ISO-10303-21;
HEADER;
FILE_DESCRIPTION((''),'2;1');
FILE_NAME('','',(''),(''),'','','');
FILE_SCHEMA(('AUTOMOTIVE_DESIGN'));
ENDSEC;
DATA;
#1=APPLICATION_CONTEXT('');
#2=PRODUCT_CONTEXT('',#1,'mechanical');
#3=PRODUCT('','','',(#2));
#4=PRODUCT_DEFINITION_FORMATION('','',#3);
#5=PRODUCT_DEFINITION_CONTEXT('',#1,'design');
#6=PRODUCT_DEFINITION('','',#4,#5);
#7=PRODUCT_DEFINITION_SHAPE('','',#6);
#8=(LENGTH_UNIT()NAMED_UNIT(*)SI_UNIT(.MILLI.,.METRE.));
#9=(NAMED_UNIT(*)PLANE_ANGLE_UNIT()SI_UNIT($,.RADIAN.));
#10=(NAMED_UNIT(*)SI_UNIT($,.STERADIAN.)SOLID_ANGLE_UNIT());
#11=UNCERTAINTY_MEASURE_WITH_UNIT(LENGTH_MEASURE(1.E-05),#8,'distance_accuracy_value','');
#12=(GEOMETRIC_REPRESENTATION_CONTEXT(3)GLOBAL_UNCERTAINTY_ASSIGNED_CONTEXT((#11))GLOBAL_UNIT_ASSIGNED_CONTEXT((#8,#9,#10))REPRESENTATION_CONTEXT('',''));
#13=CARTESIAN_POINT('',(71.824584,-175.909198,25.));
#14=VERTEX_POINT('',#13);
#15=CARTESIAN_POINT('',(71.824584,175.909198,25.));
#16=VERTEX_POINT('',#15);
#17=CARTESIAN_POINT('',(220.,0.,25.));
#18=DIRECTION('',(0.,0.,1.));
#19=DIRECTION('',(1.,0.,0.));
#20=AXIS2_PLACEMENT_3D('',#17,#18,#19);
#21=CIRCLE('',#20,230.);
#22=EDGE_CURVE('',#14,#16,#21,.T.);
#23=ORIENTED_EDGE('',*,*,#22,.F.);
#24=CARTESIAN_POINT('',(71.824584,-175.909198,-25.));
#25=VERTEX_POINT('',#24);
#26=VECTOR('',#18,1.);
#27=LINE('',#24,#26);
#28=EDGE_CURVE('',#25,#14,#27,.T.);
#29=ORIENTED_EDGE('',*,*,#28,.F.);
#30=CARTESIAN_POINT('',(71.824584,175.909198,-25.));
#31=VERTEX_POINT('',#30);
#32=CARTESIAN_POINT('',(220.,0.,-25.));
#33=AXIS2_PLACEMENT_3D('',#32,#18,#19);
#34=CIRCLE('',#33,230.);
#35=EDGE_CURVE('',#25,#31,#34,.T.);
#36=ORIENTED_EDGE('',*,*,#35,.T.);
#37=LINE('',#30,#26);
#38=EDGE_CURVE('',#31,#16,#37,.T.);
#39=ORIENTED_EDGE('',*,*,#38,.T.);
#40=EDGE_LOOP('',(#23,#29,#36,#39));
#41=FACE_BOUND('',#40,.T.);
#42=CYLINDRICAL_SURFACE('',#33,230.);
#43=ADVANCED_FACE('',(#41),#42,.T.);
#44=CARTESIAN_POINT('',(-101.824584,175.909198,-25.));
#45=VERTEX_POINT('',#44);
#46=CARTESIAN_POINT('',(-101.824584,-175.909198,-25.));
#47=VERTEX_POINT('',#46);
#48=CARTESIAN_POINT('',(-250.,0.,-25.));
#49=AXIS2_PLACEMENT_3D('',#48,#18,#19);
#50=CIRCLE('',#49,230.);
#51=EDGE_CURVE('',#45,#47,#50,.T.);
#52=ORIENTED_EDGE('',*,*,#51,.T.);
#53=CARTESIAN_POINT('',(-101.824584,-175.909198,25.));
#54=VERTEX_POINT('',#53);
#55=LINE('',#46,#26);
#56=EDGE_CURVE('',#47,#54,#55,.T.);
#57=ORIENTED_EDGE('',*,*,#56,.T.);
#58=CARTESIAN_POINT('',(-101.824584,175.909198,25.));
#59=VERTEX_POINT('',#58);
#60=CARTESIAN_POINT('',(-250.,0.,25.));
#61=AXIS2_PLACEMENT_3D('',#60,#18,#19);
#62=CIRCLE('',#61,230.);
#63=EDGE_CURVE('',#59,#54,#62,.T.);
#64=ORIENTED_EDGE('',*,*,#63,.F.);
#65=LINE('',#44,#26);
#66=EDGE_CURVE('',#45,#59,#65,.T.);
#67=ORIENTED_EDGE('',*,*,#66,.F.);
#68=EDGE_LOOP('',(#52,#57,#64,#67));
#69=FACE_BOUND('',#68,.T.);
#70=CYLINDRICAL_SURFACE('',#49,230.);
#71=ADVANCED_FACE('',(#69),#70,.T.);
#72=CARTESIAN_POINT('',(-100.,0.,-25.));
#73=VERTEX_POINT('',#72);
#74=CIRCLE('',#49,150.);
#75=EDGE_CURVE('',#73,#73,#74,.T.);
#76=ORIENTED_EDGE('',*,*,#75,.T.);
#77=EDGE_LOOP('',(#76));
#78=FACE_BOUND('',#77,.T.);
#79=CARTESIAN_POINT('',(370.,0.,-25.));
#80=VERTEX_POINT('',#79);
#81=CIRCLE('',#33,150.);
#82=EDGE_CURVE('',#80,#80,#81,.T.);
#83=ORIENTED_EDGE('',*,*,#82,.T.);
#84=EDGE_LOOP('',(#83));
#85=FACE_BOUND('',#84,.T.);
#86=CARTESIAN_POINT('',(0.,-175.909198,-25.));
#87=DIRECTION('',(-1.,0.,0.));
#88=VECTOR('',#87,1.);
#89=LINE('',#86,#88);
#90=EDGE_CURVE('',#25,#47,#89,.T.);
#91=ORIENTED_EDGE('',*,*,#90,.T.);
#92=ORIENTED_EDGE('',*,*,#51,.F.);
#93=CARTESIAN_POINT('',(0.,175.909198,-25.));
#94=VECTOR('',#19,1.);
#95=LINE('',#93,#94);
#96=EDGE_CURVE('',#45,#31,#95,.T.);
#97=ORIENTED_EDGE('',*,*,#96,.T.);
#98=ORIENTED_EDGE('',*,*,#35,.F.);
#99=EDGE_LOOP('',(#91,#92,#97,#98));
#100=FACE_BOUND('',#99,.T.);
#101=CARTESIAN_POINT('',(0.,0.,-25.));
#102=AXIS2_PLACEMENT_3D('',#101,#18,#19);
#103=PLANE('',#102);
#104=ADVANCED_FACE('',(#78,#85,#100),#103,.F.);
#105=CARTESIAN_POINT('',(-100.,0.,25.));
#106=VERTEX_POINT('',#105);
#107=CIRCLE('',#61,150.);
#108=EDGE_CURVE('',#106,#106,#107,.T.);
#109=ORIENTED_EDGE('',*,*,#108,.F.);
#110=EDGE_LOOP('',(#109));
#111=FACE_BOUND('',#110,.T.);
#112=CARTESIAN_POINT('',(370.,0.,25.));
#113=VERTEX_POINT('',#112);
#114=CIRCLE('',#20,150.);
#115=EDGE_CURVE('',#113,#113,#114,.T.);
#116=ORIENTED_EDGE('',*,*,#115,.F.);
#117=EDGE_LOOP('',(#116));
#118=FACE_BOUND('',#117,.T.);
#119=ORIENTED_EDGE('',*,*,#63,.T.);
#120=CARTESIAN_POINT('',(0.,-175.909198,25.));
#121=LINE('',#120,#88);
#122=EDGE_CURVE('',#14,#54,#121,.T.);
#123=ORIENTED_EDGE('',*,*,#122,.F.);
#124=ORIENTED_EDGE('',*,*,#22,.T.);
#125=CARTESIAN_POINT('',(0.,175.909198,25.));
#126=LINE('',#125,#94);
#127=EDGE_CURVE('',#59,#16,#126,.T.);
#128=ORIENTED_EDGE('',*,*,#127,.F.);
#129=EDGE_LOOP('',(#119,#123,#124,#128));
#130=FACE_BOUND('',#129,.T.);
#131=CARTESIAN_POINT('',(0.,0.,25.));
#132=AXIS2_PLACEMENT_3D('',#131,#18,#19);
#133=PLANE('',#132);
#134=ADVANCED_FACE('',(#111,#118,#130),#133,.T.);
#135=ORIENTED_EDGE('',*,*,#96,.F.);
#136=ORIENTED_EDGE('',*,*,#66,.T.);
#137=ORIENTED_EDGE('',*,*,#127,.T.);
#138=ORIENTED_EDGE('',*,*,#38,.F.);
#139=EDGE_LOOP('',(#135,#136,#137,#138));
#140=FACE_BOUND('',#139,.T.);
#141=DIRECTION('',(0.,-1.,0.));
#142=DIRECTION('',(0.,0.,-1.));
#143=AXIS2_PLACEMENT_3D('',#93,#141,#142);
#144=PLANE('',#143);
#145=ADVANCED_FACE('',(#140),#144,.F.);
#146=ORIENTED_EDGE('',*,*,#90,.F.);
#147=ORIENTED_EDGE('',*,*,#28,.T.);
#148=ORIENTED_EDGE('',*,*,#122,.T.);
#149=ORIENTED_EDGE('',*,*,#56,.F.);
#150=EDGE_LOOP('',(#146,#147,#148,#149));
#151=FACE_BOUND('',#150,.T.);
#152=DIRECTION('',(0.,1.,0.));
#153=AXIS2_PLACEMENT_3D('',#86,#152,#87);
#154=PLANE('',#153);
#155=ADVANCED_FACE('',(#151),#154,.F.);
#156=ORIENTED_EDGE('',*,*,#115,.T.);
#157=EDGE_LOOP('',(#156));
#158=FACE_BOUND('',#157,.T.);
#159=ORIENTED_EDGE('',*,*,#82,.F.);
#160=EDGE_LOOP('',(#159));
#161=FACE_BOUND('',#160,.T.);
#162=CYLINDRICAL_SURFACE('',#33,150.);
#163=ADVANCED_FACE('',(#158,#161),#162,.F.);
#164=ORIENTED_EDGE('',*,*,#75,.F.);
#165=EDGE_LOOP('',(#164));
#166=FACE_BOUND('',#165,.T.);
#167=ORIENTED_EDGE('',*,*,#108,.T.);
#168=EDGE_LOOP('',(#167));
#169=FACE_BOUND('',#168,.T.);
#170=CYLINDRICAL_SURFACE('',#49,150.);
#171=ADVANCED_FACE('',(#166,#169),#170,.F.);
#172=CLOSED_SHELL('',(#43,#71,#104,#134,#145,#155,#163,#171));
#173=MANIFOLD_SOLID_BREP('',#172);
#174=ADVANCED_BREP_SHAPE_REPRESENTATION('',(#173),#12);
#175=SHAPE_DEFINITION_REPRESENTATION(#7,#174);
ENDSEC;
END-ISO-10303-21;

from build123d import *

# Parameters (mm, degrees)
BOSS_EXTRUDE1_DEPTH      = 25
BOSS_EXTRUDE1_DEPTH_BACK = 25
SKETCH4_R                = 150
BOSS_EXTRUDE2_START      = -25
SKETCH4_4_R              = 150
BOSS_EXTRUDE2_DEPTH      = 25


with BuildPart() as part:
    # Sketch4 → Boss-Extrude1 (new, two sides: drawn at the far end of the back side and taken through both)
    with BuildSketch(Plane.XY.offset(-BOSS_EXTRUDE1_DEPTH_BACK)):
        with BuildLine():
            Line((71.8245835, 175.909198012), (-101.8245835, 175.909198012))
            ThreePointArc((-101.8245835, 175.909198012), (-480, 0), (-101.8245835, -175.909198012))
            Line((-101.8245835, -175.909198012), (71.8245835, -175.909198012))
            ThreePointArc((71.8245835, -175.909198012), (450, 0), (71.8245835, 175.909198012))
        make_face()
        with Locations((220, 0)):
            Circle(SKETCH4_R, mode=Mode.SUBTRACT)
        with Locations((-250, 0)):
            Circle(SKETCH4_R, mode=Mode.SUBTRACT)
    extrude(amount=BOSS_EXTRUDE1_DEPTH + BOSS_EXTRUDE1_DEPTH_BACK)

    # Sketch4<4> → Boss-Extrude2 (add)
    with BuildSketch(Plane.XY.offset(BOSS_EXTRUDE2_START)):
        with BuildLine():
            ThreePointArc((-20, 0), (-41.45702386, 97.004263321), (-101.8245835, 175.909198012))
            ThreePointArc((-101.8245835, 175.909198012), (-480, 0), (-101.8245835, -175.909198012))
            ThreePointArc((-101.8245835, -175.909198012), (-41.45702386, -97.004263321), (-20, 0))
        make_face()
        with Locations((-250, 0)):
            Circle(SKETCH4_4_R, mode=Mode.SUBTRACT)
    extrude(amount=BOSS_EXTRUDE2_DEPTH)


solid = part.part
